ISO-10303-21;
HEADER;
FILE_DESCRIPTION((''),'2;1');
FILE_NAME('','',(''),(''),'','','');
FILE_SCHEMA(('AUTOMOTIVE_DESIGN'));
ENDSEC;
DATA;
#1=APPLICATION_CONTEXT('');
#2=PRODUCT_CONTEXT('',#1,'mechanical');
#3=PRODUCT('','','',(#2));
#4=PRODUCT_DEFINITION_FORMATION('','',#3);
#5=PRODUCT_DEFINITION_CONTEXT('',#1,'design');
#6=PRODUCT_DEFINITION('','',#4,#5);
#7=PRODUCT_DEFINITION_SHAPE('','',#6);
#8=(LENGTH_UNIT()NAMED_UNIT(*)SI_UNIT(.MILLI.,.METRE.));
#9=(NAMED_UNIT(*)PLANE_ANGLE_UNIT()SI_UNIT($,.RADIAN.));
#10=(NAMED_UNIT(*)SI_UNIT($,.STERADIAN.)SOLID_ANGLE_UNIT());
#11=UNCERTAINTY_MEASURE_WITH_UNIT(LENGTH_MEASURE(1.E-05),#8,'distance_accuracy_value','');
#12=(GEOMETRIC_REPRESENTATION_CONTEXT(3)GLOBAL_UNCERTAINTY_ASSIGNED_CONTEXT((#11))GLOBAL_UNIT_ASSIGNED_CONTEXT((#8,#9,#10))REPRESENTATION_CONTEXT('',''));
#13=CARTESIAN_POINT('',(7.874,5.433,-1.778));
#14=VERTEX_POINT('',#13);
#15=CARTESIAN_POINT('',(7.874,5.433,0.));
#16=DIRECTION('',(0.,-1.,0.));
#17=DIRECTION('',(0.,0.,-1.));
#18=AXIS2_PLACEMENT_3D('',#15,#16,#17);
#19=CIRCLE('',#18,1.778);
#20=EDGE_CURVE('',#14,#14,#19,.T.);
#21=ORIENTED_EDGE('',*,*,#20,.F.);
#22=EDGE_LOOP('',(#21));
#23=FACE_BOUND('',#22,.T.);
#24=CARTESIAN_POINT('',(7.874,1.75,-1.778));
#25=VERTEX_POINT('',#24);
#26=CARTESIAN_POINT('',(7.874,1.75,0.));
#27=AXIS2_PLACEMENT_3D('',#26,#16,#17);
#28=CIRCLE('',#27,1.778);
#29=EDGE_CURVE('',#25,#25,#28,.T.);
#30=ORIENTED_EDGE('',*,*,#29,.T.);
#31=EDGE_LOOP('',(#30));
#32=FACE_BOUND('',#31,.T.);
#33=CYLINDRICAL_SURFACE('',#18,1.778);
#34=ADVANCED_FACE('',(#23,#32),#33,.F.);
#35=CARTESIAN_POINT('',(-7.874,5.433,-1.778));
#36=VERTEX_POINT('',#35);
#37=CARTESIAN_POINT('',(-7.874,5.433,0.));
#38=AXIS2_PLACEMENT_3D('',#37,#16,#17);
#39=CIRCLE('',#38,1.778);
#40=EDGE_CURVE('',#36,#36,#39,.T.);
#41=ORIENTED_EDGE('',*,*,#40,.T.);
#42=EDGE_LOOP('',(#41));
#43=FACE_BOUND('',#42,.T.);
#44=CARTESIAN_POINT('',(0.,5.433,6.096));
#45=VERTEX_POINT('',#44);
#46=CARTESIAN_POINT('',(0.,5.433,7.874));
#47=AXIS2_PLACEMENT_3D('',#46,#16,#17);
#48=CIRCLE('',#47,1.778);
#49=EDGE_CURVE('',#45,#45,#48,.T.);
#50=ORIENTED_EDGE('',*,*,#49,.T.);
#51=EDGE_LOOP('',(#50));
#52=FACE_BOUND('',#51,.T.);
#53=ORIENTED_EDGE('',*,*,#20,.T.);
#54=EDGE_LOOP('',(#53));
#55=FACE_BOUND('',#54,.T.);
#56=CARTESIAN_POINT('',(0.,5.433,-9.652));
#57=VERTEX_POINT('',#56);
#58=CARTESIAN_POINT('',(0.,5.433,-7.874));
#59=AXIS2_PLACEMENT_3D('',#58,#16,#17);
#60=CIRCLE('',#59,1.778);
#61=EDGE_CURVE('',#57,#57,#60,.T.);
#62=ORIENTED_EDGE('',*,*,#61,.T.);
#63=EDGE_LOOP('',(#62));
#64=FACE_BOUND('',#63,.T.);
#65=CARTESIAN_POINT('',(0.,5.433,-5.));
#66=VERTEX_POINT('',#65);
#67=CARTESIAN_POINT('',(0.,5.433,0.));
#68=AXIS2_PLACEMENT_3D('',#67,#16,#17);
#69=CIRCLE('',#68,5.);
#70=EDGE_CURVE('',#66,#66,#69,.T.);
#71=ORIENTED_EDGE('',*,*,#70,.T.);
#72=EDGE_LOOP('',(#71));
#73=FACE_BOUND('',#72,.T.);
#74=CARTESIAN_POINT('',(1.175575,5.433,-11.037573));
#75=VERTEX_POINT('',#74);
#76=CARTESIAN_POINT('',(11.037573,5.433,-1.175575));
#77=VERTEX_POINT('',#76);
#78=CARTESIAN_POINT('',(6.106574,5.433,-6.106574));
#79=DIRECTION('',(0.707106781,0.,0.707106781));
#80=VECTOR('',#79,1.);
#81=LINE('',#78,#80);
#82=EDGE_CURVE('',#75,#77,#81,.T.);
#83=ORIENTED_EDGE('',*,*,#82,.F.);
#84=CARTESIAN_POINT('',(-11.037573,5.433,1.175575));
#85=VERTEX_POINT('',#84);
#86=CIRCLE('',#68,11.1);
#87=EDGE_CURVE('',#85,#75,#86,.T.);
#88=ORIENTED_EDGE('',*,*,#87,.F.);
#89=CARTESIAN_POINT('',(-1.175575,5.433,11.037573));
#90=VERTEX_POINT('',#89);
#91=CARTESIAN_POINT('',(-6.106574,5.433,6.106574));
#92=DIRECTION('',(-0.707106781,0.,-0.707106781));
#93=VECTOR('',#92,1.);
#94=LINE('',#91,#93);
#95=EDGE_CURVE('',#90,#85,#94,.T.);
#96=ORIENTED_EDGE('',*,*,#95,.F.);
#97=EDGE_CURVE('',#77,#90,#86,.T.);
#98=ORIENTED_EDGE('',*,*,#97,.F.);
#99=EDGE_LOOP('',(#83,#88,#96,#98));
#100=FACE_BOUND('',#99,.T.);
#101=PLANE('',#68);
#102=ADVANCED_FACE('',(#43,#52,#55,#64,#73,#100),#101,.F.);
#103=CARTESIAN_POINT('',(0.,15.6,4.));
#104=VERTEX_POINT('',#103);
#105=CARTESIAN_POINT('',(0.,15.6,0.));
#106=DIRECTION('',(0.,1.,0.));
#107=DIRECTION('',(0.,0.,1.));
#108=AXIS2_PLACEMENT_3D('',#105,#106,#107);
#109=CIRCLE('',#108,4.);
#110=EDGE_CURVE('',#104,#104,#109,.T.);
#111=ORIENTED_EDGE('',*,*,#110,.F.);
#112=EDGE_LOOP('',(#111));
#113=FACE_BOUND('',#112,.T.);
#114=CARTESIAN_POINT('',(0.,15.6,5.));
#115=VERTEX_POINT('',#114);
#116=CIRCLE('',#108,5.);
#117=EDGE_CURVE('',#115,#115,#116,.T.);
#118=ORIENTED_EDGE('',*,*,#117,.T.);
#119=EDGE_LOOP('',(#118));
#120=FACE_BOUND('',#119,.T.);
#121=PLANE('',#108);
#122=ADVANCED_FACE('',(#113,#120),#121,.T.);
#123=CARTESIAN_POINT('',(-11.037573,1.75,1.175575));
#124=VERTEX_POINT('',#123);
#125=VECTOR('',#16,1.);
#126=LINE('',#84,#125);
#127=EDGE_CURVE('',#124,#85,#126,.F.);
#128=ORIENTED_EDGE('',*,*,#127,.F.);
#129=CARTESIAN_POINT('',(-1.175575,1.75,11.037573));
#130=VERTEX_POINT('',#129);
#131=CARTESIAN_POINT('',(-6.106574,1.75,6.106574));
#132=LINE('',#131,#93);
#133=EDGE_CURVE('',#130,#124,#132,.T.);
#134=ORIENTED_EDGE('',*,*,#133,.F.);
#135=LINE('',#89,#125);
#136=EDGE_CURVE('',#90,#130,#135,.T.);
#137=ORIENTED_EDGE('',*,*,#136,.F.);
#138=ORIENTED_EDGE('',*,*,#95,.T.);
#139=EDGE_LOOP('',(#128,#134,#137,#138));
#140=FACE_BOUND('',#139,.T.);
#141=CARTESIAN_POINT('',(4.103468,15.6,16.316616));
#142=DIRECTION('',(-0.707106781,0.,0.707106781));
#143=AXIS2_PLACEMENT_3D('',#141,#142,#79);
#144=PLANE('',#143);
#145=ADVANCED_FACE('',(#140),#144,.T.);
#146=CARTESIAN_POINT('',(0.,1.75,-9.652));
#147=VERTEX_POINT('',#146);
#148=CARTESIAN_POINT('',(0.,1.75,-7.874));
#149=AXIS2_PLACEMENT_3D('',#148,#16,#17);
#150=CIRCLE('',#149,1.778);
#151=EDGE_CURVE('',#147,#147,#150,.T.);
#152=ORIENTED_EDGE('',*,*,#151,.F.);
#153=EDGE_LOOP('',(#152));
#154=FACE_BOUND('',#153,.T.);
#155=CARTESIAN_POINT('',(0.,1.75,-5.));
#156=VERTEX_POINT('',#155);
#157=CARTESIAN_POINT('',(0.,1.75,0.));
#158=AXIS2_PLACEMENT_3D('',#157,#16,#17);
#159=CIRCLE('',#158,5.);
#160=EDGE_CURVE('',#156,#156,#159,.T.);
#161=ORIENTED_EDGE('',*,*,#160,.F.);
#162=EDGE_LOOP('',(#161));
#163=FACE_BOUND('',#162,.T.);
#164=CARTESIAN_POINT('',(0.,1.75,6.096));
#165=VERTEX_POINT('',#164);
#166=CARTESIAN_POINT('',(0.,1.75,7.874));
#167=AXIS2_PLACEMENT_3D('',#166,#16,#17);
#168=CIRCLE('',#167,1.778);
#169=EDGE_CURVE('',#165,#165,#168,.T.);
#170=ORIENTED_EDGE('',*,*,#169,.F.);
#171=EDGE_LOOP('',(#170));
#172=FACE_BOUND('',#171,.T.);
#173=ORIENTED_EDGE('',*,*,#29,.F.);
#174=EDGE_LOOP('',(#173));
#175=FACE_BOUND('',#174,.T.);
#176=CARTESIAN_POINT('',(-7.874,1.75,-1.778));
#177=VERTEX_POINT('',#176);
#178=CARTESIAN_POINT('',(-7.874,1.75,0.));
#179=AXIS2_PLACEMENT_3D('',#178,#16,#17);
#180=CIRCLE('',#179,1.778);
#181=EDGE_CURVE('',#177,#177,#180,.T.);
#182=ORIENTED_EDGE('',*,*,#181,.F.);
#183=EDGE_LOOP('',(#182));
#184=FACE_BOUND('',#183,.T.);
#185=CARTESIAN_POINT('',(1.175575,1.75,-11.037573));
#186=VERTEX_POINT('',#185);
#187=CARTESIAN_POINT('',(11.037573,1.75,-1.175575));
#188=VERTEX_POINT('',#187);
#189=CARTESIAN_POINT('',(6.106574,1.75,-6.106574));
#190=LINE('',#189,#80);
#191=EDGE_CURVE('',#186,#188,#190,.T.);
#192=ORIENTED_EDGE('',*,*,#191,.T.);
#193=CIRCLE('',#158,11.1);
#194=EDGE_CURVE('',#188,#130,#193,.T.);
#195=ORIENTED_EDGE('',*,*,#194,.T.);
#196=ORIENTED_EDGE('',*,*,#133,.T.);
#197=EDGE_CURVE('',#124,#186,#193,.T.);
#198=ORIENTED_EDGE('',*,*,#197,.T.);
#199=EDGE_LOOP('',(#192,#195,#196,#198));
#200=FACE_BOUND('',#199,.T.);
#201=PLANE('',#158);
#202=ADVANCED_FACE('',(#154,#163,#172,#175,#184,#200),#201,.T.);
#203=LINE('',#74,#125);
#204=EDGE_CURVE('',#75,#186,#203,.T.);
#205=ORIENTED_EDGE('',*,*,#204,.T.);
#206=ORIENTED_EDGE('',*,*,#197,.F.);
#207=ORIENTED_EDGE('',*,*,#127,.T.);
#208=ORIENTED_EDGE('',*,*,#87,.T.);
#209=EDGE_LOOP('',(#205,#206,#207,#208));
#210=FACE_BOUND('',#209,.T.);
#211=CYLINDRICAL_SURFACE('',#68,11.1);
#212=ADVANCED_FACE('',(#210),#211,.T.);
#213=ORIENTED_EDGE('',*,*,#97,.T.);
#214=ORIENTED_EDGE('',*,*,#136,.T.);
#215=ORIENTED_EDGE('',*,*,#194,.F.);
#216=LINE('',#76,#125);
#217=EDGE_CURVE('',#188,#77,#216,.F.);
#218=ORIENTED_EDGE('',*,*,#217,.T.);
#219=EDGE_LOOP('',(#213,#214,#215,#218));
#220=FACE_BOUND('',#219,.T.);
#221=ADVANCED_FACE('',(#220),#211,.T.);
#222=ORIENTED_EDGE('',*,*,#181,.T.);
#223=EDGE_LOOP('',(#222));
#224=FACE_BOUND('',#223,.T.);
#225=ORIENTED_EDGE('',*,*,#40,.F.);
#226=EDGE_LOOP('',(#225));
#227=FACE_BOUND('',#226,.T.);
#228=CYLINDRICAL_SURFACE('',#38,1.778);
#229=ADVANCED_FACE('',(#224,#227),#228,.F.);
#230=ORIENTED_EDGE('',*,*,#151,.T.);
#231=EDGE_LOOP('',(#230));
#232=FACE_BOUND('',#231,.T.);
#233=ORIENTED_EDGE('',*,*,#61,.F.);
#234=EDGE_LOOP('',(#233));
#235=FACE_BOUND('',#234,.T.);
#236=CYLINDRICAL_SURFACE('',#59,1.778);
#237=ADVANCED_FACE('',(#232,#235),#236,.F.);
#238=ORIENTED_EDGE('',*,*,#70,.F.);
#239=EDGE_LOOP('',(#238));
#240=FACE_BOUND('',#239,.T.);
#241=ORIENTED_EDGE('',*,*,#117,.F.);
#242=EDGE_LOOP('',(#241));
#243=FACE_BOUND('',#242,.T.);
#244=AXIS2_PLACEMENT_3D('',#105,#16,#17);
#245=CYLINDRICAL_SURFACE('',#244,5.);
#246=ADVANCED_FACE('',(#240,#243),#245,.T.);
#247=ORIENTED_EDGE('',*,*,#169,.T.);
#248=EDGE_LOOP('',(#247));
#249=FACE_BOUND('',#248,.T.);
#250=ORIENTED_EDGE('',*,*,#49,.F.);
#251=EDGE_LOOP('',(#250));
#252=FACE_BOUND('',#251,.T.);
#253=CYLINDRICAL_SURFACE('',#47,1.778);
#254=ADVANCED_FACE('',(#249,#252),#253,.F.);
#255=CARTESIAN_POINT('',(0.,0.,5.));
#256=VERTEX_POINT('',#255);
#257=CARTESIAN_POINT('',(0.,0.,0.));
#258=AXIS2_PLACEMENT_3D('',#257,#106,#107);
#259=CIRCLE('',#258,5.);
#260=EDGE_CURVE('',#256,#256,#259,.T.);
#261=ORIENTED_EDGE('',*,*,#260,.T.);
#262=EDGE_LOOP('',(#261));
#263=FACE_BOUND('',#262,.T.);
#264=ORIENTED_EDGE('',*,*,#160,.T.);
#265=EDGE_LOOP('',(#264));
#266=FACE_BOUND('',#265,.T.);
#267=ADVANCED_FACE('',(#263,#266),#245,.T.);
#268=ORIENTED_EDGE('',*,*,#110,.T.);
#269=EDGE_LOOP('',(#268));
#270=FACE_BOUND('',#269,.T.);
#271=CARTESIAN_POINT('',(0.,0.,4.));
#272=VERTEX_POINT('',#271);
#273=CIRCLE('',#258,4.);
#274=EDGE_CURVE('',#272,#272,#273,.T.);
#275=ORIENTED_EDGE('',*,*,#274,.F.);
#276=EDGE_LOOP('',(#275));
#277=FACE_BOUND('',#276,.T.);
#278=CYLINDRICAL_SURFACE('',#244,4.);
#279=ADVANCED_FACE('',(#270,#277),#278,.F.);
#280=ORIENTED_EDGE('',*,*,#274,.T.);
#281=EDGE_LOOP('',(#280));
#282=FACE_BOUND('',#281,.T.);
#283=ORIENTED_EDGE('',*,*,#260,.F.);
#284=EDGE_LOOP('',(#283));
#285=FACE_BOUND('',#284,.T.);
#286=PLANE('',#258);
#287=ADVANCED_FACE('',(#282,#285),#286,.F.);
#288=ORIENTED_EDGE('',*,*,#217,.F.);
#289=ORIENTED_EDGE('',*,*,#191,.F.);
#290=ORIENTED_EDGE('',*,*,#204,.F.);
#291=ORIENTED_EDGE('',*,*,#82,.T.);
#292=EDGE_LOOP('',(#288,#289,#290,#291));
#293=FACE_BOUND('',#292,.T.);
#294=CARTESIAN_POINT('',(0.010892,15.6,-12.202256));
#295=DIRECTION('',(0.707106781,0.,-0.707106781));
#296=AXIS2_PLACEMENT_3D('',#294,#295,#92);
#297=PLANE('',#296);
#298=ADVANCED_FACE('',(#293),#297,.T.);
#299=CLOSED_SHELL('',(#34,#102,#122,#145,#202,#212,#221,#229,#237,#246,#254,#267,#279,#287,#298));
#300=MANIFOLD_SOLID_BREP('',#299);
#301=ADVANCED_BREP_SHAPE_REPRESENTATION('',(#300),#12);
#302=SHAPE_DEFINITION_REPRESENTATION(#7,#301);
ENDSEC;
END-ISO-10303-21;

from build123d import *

# Parameters (mm, degrees)
SKETCH1_R           = 5
SKETCH1_R_2         = 4
BOSS_EXTRUDE1_DEPTH = 15.6
SKETCH2_R           = 11.1
SKETCH2_R_2         = 5
SKETCH2_R_3         = 1.778
BOSS_EXTRUDE2_DEPTH = 3.683
SKETCH3_OUTSIDE_W   = 31.212
SKETCH3_OUTSIDE_H   = 31.212
CUT_EXTRUDE1_DEPTH  = 14.849999944


with BuildPart() as part:
    # Sketch1 → Boss-Extrude1 (new body)
    with BuildSketch(Plane(origin=(0, 0, 0), x_dir=(1, 0, 0), z_dir=(0, 1, 0))):
        Circle(SKETCH1_R)
        Circle(SKETCH1_R_2, mode=Mode.SUBTRACT)
    extrude(amount=BOSS_EXTRUDE1_DEPTH)

    # Sketch2 → Boss-Extrude2 (add)
    with BuildSketch(Plane(origin=(0, 1.750000056, 0), x_dir=(-1, 0, 0), z_dir=(0, -1, 0))):
        Circle(SKETCH2_R)
        Circle(SKETCH2_R_2, mode=Mode.SUBTRACT)
        with Locations((0, 7.874)):
            Circle(SKETCH2_R_3, mode=Mode.SUBTRACT)
        with Locations((7.874, 0)):
            Circle(SKETCH2_R_3, mode=Mode.SUBTRACT)
        with Locations((0, -7.874)):
            Circle(SKETCH2_R_3, mode=Mode.SUBTRACT)
        with Locations((-7.874, 0)):
            Circle(SKETCH2_R_3, mode=Mode.SUBTRACT)
    extrude(amount=-BOSS_EXTRUDE2_DEPTH)

    # Sketch3 outside → Cut-Extrude1 (cut, through all)
    with BuildSketch(Plane.XZ.offset(-1.750000056)):
        Rectangle(SKETCH3_OUTSIDE_W, SKETCH3_OUTSIDE_H)
        Polygon((0.010892417, -12.202255907), (16.316615828, 4.103467504), (4.103467504, 16.316615828), (-15.606056949, -3.392908624), (-3.392908624, -15.606056949), align=None, mode=Mode.SUBTRACT)
    extrude(amount=-CUT_EXTRUDE1_DEPTH, mode=Mode.SUBTRACT)


solid = part.part
